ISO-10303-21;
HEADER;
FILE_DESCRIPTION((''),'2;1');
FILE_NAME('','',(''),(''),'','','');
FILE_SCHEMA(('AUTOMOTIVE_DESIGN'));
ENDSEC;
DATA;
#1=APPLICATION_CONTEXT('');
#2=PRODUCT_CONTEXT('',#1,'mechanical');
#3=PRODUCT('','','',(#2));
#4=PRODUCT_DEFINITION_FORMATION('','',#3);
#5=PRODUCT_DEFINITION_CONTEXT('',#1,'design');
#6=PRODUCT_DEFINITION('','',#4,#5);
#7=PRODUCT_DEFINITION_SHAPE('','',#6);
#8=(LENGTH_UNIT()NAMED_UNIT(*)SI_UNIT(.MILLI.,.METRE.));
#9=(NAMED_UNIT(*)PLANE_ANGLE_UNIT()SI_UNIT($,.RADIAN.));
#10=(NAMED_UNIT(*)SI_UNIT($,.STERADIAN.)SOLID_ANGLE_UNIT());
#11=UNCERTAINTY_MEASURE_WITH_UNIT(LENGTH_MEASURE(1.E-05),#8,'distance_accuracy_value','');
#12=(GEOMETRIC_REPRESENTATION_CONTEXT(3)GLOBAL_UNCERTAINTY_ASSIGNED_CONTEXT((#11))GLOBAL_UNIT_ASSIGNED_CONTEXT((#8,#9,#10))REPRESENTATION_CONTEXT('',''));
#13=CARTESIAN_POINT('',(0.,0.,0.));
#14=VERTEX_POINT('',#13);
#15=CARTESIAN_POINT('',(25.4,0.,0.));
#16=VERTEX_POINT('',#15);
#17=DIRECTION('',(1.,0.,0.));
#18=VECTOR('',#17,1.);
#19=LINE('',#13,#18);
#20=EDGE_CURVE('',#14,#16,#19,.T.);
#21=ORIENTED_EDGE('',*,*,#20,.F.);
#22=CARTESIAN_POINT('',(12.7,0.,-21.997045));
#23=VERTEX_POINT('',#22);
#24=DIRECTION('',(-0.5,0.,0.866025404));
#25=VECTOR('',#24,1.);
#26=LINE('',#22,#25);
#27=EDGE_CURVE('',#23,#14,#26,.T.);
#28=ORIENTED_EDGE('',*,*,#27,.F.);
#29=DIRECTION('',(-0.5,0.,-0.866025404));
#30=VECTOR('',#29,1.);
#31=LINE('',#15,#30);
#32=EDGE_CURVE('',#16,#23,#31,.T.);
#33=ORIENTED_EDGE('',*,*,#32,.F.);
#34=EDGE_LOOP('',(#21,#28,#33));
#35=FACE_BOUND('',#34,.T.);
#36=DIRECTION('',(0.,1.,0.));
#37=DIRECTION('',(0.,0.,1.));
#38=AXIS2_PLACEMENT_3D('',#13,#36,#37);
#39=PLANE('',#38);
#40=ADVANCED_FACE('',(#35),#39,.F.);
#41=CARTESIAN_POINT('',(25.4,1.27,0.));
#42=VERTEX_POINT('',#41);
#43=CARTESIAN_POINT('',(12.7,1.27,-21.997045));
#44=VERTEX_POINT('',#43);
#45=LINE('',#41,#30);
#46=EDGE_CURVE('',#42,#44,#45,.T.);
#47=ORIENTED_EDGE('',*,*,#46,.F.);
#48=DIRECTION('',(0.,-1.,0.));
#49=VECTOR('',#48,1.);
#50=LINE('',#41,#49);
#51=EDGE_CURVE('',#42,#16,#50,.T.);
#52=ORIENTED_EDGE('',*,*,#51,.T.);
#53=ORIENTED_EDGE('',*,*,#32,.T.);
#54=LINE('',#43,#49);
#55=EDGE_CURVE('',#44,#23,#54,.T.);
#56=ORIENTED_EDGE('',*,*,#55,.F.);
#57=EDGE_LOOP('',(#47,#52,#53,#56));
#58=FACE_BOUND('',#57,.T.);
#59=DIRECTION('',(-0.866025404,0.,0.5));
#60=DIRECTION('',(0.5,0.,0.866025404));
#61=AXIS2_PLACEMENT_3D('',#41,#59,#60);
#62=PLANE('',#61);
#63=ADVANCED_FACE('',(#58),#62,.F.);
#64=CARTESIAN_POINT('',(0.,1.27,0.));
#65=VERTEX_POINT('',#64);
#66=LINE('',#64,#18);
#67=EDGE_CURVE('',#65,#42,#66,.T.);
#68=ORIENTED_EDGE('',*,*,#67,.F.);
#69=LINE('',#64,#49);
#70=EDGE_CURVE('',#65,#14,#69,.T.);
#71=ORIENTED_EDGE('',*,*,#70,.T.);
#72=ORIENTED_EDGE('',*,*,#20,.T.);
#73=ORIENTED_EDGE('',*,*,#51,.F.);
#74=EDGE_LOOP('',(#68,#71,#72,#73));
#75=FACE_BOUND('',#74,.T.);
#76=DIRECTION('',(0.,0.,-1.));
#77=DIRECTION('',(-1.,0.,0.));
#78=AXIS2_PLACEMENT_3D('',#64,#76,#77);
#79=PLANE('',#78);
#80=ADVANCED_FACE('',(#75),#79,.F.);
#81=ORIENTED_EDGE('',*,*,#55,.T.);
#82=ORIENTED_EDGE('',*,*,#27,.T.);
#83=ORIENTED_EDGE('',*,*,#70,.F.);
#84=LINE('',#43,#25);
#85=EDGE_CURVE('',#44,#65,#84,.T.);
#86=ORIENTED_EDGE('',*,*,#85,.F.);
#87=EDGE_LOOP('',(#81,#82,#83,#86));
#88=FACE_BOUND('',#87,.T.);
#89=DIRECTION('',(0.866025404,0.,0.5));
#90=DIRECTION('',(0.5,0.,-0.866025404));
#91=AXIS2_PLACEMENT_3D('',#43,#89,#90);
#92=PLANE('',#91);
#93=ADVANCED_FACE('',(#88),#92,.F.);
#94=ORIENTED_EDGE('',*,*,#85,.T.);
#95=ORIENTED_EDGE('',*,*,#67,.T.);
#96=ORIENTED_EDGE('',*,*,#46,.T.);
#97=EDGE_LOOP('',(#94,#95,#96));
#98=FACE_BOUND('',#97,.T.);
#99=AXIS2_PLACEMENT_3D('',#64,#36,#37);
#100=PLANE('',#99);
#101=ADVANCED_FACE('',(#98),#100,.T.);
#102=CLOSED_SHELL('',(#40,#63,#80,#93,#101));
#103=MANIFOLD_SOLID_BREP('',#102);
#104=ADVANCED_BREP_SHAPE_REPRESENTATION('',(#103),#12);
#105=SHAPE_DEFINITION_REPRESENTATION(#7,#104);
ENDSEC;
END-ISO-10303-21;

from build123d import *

# Parameters (mm, degrees)
BOSS_EXTRUDE1_DEPTH = 1.27


with BuildPart() as part:
    # Sketch2 → Boss-Extrude1 (new body)
    with BuildSketch(Plane(origin=(0, 0, 0), x_dir=(1, 0, 0), z_dir=(0, 1, 0))):
        Polygon((0, 0), (25.4, 0), (12.7, 21.997045256), align=None)
    extrude(amount=BOSS_EXTRUDE1_DEPTH)


solid = part.part
